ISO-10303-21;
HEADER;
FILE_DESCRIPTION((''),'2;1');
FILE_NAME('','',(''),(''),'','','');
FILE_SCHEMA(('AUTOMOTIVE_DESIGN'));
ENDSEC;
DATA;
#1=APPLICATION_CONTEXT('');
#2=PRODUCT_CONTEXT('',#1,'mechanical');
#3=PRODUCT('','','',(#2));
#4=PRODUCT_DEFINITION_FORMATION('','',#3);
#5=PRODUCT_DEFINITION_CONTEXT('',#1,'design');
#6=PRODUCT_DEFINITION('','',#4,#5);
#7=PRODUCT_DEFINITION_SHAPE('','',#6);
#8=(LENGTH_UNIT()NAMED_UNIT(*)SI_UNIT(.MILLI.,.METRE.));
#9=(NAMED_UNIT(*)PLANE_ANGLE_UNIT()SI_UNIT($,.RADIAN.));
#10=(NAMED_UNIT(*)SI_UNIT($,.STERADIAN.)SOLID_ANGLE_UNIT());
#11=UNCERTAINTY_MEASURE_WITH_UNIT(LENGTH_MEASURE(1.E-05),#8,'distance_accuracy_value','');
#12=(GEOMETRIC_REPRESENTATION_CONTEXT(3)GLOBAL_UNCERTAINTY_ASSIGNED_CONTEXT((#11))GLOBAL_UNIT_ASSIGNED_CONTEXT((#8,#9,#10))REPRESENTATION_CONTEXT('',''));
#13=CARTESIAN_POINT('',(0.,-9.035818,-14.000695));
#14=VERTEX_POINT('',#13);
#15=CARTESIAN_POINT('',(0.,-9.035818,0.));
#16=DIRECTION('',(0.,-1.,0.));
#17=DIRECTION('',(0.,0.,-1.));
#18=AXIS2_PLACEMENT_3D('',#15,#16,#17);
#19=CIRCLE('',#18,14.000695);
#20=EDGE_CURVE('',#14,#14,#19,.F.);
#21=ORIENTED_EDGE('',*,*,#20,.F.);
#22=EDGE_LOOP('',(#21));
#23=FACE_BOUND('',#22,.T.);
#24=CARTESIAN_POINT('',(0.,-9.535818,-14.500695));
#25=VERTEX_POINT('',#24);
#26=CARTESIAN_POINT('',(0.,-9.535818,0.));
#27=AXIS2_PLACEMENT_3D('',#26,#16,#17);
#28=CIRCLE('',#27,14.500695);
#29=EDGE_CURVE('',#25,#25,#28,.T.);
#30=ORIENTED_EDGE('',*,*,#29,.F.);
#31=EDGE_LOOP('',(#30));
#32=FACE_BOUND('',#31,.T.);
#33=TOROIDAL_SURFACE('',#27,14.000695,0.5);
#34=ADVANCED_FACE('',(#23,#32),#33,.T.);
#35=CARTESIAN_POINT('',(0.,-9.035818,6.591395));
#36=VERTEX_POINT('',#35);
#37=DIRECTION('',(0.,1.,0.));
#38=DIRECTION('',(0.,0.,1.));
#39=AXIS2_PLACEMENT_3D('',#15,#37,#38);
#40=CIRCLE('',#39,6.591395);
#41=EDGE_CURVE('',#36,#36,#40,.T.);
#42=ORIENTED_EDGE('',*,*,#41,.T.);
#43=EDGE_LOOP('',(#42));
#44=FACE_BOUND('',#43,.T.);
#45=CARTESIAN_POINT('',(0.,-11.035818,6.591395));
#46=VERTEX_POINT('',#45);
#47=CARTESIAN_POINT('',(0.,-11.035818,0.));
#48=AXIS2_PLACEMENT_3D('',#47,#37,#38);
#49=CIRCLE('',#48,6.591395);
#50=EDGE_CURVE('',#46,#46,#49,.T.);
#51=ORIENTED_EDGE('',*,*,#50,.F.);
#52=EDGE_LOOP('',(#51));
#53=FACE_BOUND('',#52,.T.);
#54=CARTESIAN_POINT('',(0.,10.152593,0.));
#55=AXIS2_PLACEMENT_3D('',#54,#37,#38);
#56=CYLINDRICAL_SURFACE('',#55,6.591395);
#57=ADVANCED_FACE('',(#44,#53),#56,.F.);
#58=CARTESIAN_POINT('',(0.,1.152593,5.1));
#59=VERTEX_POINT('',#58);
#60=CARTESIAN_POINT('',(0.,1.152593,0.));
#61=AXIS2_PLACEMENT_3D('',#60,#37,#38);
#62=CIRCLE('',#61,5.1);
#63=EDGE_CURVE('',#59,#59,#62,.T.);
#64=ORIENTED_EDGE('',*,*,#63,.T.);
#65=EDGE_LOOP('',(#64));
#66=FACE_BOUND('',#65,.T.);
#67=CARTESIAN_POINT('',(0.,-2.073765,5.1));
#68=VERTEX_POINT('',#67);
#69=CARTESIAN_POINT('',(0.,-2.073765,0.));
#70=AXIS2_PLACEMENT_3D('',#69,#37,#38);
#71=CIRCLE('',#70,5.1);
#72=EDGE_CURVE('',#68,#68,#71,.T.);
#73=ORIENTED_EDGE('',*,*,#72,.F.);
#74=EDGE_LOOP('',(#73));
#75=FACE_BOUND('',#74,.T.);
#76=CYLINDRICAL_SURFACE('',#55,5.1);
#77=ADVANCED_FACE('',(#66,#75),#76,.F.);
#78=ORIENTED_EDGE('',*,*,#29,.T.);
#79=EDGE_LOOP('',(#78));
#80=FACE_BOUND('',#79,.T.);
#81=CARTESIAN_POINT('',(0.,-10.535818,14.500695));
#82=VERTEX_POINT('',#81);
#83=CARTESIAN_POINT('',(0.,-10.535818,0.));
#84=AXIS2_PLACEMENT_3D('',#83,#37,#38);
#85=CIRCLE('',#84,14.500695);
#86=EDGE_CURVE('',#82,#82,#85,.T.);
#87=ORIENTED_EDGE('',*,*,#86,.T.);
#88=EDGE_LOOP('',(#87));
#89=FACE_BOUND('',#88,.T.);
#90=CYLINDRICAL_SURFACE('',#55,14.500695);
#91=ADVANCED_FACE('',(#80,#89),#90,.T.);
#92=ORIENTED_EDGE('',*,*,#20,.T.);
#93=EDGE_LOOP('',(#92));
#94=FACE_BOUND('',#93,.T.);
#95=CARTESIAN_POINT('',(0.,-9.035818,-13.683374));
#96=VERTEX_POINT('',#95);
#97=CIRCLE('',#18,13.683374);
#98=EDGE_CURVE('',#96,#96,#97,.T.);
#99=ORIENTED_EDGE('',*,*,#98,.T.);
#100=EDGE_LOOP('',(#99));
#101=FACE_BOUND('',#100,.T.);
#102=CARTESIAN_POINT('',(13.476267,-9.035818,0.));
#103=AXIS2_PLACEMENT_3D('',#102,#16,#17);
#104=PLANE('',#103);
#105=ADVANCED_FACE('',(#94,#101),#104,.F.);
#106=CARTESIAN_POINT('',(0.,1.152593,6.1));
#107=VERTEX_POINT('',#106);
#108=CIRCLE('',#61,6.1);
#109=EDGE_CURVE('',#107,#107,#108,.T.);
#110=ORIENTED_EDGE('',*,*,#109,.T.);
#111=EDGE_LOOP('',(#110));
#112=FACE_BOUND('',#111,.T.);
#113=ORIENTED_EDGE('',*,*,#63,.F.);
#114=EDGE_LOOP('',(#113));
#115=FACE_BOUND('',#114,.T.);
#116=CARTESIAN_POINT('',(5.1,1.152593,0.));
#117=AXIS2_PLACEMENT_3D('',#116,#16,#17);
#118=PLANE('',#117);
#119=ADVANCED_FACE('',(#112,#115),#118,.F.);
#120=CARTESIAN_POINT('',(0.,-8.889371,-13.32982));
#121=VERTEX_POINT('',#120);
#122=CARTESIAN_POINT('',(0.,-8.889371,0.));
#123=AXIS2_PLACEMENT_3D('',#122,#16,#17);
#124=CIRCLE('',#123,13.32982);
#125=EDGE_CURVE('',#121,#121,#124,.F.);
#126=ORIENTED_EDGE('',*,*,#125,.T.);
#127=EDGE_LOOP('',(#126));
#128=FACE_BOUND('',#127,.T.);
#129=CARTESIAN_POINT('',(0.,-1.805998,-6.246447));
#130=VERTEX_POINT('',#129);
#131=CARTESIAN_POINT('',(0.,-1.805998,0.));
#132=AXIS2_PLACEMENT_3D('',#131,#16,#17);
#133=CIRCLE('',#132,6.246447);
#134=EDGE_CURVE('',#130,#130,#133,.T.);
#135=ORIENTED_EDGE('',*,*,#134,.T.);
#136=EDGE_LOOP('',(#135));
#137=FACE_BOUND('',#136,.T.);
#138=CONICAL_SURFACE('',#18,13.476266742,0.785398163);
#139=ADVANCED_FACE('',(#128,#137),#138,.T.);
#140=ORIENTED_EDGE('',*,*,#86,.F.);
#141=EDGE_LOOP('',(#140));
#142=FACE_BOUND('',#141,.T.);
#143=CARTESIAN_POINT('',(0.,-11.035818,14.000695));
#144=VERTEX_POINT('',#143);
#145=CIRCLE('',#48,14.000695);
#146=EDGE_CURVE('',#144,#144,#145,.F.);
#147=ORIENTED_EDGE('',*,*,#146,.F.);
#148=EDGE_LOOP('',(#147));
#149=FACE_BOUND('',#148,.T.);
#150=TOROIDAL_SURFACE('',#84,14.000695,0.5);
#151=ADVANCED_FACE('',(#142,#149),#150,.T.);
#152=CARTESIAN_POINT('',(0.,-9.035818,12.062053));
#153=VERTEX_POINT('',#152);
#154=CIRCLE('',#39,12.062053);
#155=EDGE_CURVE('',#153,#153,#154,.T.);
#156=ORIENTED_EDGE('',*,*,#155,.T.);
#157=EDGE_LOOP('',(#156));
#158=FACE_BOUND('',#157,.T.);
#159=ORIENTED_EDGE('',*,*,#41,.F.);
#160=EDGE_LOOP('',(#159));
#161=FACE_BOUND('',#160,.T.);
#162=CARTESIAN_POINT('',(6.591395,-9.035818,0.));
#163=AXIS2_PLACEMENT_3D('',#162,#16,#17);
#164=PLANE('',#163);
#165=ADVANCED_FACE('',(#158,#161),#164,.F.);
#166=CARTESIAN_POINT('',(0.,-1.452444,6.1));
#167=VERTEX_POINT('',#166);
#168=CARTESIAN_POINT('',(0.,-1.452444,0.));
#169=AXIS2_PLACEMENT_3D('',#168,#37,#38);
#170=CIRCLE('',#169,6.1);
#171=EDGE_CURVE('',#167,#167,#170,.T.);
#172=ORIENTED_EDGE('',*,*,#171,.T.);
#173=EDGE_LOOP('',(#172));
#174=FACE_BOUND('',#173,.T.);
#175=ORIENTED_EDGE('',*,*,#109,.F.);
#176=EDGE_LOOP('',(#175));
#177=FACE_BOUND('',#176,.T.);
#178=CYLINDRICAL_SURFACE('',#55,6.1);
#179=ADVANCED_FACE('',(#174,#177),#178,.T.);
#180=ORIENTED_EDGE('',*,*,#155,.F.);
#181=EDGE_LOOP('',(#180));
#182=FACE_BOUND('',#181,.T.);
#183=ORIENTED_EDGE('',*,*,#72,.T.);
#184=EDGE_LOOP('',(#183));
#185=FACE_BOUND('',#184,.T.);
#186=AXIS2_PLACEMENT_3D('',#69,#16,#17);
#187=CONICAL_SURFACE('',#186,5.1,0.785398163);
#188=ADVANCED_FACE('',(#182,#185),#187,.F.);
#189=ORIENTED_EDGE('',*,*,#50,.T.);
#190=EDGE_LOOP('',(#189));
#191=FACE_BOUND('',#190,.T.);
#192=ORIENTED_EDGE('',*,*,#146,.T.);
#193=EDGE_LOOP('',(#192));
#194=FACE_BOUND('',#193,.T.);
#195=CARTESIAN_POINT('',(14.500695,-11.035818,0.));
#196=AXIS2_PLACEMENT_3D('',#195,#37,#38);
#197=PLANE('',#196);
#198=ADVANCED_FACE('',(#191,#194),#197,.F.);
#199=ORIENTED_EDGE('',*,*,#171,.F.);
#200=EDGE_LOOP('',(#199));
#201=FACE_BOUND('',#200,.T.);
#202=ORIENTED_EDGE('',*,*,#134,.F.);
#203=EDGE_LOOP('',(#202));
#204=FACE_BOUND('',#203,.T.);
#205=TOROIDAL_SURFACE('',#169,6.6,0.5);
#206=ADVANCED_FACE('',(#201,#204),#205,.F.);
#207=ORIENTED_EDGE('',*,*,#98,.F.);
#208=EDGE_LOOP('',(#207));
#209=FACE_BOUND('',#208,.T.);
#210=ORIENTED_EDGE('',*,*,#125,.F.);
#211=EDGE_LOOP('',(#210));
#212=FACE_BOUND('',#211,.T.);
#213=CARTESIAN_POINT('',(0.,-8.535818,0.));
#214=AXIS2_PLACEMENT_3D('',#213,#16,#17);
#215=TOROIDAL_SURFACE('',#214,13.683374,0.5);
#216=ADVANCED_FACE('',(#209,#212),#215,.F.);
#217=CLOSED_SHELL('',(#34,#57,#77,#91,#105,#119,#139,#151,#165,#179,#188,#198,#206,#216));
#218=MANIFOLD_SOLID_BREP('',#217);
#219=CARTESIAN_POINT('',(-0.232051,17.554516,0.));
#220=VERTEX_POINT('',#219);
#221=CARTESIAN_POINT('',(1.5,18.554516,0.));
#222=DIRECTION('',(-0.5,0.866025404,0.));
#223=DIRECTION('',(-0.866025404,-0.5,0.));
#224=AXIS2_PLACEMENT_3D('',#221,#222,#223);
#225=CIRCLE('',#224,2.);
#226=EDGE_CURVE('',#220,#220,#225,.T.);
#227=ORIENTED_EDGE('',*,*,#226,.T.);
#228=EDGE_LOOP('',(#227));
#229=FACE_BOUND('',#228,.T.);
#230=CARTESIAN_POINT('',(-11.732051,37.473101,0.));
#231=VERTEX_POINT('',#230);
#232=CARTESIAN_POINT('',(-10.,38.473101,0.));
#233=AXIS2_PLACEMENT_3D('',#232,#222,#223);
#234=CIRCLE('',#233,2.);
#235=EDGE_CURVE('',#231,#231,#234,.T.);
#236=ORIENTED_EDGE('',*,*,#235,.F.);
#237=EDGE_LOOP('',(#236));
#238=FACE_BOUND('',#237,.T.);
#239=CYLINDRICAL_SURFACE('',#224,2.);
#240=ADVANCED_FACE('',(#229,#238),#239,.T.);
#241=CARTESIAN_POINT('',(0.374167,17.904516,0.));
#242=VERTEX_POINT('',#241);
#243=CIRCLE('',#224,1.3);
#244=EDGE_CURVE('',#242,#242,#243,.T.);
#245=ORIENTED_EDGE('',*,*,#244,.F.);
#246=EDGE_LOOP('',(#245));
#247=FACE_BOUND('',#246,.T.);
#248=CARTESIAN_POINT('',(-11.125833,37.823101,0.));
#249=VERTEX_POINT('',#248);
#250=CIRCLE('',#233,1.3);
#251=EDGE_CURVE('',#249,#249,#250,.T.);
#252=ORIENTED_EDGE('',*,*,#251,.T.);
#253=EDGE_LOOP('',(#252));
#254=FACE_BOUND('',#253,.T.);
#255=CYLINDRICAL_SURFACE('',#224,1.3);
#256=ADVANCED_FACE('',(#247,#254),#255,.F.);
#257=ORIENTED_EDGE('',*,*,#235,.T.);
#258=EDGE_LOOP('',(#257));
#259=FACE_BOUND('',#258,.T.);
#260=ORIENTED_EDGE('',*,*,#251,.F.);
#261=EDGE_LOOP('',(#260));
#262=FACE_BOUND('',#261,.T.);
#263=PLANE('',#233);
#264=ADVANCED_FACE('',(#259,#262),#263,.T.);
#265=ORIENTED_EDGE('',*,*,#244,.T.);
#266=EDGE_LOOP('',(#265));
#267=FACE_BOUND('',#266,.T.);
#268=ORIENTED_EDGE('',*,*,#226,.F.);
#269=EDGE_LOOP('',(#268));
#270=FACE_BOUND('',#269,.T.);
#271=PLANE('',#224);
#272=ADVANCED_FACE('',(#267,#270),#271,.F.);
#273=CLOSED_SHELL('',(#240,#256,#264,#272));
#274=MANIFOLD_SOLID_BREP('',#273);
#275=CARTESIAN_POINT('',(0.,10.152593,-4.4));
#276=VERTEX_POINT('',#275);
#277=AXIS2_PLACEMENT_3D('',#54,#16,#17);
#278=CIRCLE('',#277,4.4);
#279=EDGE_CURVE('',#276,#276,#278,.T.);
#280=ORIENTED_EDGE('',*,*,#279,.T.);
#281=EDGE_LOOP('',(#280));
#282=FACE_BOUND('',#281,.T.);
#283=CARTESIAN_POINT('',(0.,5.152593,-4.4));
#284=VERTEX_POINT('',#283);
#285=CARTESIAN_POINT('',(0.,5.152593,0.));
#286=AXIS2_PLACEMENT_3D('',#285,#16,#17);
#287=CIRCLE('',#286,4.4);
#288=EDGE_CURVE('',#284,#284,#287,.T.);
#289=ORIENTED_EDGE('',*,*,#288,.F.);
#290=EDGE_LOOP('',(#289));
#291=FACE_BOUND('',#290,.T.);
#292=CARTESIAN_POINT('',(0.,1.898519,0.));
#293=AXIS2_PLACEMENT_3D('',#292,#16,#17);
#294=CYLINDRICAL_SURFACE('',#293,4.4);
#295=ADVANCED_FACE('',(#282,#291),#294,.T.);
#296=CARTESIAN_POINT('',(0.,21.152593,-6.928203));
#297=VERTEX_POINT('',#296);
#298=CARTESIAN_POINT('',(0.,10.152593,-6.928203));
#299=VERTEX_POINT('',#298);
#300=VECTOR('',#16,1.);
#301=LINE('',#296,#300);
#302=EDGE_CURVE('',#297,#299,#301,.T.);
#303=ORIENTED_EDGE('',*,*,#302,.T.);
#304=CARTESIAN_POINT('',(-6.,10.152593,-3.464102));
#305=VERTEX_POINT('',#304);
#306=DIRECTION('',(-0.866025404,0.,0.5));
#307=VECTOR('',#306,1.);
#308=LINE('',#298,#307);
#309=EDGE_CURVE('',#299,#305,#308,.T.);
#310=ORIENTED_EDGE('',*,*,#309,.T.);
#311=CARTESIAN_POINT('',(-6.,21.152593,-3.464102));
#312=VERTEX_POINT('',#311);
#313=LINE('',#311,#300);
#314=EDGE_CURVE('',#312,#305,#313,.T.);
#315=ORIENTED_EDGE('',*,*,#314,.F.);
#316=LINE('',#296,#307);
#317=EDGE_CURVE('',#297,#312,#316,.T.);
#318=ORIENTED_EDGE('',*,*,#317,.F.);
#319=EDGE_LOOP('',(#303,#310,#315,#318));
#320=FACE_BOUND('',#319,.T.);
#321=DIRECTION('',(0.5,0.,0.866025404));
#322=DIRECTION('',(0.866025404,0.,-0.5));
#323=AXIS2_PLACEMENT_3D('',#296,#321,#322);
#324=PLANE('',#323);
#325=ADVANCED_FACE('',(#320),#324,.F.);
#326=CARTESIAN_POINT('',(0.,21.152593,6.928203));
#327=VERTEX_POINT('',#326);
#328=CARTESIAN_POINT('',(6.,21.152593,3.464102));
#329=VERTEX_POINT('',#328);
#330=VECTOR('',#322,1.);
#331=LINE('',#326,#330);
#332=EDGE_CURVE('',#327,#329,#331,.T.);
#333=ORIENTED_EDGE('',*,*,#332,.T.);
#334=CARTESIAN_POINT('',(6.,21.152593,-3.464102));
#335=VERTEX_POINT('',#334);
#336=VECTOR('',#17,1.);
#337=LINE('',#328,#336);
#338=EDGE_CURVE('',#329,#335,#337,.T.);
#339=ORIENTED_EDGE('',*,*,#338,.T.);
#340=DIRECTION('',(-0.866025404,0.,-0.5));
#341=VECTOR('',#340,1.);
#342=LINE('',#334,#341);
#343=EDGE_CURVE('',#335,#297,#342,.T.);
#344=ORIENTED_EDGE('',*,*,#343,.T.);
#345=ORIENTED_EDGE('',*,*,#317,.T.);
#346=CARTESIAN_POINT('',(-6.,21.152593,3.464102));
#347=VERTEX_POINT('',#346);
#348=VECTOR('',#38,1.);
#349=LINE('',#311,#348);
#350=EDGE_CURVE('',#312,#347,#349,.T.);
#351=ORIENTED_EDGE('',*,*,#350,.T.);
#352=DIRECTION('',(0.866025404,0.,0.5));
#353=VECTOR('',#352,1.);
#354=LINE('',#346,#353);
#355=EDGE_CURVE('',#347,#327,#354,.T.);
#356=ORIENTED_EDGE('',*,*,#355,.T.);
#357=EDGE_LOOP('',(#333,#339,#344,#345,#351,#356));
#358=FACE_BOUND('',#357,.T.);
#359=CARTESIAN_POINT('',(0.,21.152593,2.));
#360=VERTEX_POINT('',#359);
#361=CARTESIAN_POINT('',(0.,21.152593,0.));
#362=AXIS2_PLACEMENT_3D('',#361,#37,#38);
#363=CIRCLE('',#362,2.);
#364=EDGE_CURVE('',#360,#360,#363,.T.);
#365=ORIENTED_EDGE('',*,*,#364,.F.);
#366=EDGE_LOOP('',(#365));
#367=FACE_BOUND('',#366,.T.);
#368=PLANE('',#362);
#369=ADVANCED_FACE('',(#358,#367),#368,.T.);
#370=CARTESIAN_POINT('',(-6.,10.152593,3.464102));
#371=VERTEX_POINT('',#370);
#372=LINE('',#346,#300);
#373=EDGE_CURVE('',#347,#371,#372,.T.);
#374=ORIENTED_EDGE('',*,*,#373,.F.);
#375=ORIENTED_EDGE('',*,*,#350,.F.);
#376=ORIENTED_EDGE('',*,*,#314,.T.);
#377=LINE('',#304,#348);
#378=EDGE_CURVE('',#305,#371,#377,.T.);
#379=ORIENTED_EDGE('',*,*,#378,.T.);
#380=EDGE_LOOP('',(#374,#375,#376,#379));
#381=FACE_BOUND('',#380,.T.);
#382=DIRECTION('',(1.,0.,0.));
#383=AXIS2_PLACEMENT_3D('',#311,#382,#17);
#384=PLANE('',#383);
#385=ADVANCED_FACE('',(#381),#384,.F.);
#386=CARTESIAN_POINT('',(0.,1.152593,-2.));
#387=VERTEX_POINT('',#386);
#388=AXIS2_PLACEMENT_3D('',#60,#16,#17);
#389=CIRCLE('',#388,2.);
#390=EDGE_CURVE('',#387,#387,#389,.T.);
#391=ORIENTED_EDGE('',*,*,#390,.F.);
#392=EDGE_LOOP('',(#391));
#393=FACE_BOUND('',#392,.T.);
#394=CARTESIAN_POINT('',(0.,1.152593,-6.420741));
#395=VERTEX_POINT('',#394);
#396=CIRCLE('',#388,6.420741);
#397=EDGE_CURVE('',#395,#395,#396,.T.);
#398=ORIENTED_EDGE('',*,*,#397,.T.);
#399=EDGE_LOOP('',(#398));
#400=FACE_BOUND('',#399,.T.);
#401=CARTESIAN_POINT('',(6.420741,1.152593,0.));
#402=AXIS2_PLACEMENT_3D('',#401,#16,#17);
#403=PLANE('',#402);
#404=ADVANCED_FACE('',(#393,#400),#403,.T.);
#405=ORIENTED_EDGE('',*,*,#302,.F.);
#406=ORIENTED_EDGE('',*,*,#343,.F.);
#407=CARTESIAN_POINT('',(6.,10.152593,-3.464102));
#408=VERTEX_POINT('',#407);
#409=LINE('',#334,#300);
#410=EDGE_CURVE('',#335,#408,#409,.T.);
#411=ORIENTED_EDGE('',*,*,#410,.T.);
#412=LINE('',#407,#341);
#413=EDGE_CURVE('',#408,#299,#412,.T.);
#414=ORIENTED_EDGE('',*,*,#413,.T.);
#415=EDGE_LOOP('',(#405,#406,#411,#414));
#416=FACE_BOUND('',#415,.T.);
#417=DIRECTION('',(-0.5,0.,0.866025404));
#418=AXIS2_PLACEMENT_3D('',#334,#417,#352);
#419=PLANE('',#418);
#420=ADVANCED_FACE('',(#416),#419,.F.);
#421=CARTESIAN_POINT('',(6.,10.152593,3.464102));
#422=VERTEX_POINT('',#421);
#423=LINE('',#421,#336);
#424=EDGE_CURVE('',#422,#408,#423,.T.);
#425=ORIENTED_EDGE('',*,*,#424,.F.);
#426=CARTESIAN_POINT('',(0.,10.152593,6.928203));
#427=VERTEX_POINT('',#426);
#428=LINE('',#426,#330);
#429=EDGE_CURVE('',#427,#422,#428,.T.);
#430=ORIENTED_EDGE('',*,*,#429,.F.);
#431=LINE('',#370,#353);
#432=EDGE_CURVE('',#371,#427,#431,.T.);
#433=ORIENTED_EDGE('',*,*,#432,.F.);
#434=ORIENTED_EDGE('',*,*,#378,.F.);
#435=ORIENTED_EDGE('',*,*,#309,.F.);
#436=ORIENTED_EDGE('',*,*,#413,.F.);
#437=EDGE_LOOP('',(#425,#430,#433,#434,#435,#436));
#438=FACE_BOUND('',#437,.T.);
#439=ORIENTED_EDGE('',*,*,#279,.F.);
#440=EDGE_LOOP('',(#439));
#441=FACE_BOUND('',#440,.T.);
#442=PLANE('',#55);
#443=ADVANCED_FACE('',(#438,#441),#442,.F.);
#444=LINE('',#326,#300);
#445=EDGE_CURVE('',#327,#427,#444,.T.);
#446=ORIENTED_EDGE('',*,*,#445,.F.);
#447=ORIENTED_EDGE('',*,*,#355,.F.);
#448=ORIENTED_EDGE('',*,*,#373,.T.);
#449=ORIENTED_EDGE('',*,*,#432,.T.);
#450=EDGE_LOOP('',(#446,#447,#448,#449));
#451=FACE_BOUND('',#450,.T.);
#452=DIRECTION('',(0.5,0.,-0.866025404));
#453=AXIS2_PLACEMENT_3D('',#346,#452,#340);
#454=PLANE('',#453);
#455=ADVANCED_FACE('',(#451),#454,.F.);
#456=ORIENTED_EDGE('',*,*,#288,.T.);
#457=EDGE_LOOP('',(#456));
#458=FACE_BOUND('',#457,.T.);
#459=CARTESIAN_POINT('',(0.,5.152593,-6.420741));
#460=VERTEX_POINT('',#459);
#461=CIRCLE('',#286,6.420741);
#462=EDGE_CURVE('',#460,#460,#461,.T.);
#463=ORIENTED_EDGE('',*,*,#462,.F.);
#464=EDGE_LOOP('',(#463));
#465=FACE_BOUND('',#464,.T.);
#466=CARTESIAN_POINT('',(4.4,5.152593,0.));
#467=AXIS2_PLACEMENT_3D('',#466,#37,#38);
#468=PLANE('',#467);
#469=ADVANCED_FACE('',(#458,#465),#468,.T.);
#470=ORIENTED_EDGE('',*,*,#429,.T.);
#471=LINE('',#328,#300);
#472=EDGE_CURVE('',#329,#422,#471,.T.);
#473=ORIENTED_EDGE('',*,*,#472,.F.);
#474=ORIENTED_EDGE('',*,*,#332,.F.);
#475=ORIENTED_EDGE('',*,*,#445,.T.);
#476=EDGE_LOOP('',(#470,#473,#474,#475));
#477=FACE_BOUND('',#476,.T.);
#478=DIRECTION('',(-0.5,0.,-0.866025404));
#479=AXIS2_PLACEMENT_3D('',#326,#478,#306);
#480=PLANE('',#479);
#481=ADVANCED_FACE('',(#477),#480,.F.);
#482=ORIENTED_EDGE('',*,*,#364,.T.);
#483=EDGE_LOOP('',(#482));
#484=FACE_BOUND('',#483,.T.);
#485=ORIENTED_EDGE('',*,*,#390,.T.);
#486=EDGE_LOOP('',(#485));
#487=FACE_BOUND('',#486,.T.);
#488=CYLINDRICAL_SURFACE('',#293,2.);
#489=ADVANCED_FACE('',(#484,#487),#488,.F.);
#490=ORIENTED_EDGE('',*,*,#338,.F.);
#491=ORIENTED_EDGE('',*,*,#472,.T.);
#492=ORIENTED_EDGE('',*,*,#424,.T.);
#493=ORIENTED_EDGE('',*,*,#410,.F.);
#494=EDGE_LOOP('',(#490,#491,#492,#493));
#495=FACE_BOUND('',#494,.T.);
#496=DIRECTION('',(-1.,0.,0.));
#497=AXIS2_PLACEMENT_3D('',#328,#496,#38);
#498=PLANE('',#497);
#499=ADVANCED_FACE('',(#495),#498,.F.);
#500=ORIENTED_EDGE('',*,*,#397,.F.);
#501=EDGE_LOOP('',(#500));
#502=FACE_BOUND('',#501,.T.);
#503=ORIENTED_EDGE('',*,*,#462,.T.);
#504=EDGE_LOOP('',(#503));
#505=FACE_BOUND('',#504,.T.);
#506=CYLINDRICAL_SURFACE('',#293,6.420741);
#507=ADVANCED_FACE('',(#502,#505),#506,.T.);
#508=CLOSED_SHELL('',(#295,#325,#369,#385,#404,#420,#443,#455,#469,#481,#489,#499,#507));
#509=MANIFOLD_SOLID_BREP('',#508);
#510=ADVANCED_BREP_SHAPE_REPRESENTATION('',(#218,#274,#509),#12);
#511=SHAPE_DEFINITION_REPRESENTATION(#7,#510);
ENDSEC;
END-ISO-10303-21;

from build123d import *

# Parameters (mm, degrees)
CONG_1_R                = 0.5
BOSS_EXTRU_1_START      = 11
ESQUISSE3_R             = 2
BOSS_EXTRU_1_DEPTH      = 11
BOSS_EXTRU_3_DEPTH      = 20
BOSS_EXTRU_3_DEPTH_BACK = 3
ESQUISSE5_R             = 2
ESQUISSE5_R_2           = 1.3


with BuildPart() as part:
    # Esquisse1 → Révolution1 (revolve)
    with BuildSketch(Plane.XY, mode=Mode.PRIVATE) as r_volution1_sk:
        Polygon((4.4, 10.152592593), (4.4, 5.152592593), (6.420740741, 5.152592593), (6.420740741, 1.152592593), (2, 1.152592593), (2, 10.152592593), align=None)
    revolve(r_volution1_sk.sketch.rotate(Axis((0, 1.898518519, 0), (0, 1, 0)), 90), axis=Axis((0, 1.898518519, 0), (0, 1, 0)))

    # Esquisse3 → Boss.-Extru.1 (add)
    with BuildSketch(Plane(origin=(0, 10.152592593, 0), x_dir=(1, 0, 0), z_dir=(0, 1, 0)).offset(BOSS_EXTRU_1_START)):
        Polygon((6, 3.464101615), (0, 6.92820323), (-6, 3.464101615), (-6, -3.464101615), (0, -6.92820323), (6, -3.464101615), align=None)
        with Locations(Location((0, 0, 0), (0, 0, 90))):
            Circle(ESQUISSE3_R, mode=Mode.SUBTRACT)
    extrude(amount=-BOSS_EXTRU_1_DEPTH)


with BuildPart() as body_2:
    # Esquisse2 → Révolution2 (revolve)
    with BuildSketch(Plane.XY, mode=Mode.PRIVATE) as r_volution2_sk:
        Polygon((6.1, 1.152592593), (6.1, -1.659551209), (13.476266742, -9.035817951), (14.500695366, -9.035817951), (14.500695366, -11.035817951), (6.591394886, -11.035817951), (6.591394886, -9.035817951), (12.06205318, -9.035817951), (5.1, -2.073764772), (5.1, 1.152592593), align=None)
    revolve(r_volution2_sk.sketch.rotate(Axis((0, 10.152592593, 0), (0, -1, 0)), 90), axis=Axis((0, 10.152592593, 0), (0, -1, 0)))

    # Congé1
    cong_1_edges = [body_2.edges().sort_by_distance(p)[0] for p in [
        (0, -9.035817951, -13.476266742),
        (0, -1.659551209, -6.1),
        (0, -11.035817951, -14.500695366),
        (0, -9.035817951, -14.500695366),
    ]]
    fillet(cong_1_edges, radius=CONG_1_R)


with BuildPart() as body_3:
    # Esquisse5 → Boss.-Extru.3 (new, two sides: drawn at the far end of the back side and taken through both)
    with BuildSketch(Plane(origin=(0, 21.152592593, 0), x_dir=(0.8660254037844362, 0.5000000000000042, 0), z_dir=(-0.5000000000000043, 0.8660254037844363, 0)).offset(-BOSS_EXTRU_3_DEPTH_BACK)):
        with Locations(Location((0, 0, 0), (0, 0, 180))):
            Circle(ESQUISSE5_R)
        with Locations(Location((0, 0, 0), (0, 0, 180))):
            Circle(ESQUISSE5_R_2, mode=Mode.SUBTRACT)
    extrude(amount=BOSS_EXTRU_3_DEPTH + BOSS_EXTRU_3_DEPTH_BACK)


solid = Compound([part.part, body_2.part, body_3.part])
